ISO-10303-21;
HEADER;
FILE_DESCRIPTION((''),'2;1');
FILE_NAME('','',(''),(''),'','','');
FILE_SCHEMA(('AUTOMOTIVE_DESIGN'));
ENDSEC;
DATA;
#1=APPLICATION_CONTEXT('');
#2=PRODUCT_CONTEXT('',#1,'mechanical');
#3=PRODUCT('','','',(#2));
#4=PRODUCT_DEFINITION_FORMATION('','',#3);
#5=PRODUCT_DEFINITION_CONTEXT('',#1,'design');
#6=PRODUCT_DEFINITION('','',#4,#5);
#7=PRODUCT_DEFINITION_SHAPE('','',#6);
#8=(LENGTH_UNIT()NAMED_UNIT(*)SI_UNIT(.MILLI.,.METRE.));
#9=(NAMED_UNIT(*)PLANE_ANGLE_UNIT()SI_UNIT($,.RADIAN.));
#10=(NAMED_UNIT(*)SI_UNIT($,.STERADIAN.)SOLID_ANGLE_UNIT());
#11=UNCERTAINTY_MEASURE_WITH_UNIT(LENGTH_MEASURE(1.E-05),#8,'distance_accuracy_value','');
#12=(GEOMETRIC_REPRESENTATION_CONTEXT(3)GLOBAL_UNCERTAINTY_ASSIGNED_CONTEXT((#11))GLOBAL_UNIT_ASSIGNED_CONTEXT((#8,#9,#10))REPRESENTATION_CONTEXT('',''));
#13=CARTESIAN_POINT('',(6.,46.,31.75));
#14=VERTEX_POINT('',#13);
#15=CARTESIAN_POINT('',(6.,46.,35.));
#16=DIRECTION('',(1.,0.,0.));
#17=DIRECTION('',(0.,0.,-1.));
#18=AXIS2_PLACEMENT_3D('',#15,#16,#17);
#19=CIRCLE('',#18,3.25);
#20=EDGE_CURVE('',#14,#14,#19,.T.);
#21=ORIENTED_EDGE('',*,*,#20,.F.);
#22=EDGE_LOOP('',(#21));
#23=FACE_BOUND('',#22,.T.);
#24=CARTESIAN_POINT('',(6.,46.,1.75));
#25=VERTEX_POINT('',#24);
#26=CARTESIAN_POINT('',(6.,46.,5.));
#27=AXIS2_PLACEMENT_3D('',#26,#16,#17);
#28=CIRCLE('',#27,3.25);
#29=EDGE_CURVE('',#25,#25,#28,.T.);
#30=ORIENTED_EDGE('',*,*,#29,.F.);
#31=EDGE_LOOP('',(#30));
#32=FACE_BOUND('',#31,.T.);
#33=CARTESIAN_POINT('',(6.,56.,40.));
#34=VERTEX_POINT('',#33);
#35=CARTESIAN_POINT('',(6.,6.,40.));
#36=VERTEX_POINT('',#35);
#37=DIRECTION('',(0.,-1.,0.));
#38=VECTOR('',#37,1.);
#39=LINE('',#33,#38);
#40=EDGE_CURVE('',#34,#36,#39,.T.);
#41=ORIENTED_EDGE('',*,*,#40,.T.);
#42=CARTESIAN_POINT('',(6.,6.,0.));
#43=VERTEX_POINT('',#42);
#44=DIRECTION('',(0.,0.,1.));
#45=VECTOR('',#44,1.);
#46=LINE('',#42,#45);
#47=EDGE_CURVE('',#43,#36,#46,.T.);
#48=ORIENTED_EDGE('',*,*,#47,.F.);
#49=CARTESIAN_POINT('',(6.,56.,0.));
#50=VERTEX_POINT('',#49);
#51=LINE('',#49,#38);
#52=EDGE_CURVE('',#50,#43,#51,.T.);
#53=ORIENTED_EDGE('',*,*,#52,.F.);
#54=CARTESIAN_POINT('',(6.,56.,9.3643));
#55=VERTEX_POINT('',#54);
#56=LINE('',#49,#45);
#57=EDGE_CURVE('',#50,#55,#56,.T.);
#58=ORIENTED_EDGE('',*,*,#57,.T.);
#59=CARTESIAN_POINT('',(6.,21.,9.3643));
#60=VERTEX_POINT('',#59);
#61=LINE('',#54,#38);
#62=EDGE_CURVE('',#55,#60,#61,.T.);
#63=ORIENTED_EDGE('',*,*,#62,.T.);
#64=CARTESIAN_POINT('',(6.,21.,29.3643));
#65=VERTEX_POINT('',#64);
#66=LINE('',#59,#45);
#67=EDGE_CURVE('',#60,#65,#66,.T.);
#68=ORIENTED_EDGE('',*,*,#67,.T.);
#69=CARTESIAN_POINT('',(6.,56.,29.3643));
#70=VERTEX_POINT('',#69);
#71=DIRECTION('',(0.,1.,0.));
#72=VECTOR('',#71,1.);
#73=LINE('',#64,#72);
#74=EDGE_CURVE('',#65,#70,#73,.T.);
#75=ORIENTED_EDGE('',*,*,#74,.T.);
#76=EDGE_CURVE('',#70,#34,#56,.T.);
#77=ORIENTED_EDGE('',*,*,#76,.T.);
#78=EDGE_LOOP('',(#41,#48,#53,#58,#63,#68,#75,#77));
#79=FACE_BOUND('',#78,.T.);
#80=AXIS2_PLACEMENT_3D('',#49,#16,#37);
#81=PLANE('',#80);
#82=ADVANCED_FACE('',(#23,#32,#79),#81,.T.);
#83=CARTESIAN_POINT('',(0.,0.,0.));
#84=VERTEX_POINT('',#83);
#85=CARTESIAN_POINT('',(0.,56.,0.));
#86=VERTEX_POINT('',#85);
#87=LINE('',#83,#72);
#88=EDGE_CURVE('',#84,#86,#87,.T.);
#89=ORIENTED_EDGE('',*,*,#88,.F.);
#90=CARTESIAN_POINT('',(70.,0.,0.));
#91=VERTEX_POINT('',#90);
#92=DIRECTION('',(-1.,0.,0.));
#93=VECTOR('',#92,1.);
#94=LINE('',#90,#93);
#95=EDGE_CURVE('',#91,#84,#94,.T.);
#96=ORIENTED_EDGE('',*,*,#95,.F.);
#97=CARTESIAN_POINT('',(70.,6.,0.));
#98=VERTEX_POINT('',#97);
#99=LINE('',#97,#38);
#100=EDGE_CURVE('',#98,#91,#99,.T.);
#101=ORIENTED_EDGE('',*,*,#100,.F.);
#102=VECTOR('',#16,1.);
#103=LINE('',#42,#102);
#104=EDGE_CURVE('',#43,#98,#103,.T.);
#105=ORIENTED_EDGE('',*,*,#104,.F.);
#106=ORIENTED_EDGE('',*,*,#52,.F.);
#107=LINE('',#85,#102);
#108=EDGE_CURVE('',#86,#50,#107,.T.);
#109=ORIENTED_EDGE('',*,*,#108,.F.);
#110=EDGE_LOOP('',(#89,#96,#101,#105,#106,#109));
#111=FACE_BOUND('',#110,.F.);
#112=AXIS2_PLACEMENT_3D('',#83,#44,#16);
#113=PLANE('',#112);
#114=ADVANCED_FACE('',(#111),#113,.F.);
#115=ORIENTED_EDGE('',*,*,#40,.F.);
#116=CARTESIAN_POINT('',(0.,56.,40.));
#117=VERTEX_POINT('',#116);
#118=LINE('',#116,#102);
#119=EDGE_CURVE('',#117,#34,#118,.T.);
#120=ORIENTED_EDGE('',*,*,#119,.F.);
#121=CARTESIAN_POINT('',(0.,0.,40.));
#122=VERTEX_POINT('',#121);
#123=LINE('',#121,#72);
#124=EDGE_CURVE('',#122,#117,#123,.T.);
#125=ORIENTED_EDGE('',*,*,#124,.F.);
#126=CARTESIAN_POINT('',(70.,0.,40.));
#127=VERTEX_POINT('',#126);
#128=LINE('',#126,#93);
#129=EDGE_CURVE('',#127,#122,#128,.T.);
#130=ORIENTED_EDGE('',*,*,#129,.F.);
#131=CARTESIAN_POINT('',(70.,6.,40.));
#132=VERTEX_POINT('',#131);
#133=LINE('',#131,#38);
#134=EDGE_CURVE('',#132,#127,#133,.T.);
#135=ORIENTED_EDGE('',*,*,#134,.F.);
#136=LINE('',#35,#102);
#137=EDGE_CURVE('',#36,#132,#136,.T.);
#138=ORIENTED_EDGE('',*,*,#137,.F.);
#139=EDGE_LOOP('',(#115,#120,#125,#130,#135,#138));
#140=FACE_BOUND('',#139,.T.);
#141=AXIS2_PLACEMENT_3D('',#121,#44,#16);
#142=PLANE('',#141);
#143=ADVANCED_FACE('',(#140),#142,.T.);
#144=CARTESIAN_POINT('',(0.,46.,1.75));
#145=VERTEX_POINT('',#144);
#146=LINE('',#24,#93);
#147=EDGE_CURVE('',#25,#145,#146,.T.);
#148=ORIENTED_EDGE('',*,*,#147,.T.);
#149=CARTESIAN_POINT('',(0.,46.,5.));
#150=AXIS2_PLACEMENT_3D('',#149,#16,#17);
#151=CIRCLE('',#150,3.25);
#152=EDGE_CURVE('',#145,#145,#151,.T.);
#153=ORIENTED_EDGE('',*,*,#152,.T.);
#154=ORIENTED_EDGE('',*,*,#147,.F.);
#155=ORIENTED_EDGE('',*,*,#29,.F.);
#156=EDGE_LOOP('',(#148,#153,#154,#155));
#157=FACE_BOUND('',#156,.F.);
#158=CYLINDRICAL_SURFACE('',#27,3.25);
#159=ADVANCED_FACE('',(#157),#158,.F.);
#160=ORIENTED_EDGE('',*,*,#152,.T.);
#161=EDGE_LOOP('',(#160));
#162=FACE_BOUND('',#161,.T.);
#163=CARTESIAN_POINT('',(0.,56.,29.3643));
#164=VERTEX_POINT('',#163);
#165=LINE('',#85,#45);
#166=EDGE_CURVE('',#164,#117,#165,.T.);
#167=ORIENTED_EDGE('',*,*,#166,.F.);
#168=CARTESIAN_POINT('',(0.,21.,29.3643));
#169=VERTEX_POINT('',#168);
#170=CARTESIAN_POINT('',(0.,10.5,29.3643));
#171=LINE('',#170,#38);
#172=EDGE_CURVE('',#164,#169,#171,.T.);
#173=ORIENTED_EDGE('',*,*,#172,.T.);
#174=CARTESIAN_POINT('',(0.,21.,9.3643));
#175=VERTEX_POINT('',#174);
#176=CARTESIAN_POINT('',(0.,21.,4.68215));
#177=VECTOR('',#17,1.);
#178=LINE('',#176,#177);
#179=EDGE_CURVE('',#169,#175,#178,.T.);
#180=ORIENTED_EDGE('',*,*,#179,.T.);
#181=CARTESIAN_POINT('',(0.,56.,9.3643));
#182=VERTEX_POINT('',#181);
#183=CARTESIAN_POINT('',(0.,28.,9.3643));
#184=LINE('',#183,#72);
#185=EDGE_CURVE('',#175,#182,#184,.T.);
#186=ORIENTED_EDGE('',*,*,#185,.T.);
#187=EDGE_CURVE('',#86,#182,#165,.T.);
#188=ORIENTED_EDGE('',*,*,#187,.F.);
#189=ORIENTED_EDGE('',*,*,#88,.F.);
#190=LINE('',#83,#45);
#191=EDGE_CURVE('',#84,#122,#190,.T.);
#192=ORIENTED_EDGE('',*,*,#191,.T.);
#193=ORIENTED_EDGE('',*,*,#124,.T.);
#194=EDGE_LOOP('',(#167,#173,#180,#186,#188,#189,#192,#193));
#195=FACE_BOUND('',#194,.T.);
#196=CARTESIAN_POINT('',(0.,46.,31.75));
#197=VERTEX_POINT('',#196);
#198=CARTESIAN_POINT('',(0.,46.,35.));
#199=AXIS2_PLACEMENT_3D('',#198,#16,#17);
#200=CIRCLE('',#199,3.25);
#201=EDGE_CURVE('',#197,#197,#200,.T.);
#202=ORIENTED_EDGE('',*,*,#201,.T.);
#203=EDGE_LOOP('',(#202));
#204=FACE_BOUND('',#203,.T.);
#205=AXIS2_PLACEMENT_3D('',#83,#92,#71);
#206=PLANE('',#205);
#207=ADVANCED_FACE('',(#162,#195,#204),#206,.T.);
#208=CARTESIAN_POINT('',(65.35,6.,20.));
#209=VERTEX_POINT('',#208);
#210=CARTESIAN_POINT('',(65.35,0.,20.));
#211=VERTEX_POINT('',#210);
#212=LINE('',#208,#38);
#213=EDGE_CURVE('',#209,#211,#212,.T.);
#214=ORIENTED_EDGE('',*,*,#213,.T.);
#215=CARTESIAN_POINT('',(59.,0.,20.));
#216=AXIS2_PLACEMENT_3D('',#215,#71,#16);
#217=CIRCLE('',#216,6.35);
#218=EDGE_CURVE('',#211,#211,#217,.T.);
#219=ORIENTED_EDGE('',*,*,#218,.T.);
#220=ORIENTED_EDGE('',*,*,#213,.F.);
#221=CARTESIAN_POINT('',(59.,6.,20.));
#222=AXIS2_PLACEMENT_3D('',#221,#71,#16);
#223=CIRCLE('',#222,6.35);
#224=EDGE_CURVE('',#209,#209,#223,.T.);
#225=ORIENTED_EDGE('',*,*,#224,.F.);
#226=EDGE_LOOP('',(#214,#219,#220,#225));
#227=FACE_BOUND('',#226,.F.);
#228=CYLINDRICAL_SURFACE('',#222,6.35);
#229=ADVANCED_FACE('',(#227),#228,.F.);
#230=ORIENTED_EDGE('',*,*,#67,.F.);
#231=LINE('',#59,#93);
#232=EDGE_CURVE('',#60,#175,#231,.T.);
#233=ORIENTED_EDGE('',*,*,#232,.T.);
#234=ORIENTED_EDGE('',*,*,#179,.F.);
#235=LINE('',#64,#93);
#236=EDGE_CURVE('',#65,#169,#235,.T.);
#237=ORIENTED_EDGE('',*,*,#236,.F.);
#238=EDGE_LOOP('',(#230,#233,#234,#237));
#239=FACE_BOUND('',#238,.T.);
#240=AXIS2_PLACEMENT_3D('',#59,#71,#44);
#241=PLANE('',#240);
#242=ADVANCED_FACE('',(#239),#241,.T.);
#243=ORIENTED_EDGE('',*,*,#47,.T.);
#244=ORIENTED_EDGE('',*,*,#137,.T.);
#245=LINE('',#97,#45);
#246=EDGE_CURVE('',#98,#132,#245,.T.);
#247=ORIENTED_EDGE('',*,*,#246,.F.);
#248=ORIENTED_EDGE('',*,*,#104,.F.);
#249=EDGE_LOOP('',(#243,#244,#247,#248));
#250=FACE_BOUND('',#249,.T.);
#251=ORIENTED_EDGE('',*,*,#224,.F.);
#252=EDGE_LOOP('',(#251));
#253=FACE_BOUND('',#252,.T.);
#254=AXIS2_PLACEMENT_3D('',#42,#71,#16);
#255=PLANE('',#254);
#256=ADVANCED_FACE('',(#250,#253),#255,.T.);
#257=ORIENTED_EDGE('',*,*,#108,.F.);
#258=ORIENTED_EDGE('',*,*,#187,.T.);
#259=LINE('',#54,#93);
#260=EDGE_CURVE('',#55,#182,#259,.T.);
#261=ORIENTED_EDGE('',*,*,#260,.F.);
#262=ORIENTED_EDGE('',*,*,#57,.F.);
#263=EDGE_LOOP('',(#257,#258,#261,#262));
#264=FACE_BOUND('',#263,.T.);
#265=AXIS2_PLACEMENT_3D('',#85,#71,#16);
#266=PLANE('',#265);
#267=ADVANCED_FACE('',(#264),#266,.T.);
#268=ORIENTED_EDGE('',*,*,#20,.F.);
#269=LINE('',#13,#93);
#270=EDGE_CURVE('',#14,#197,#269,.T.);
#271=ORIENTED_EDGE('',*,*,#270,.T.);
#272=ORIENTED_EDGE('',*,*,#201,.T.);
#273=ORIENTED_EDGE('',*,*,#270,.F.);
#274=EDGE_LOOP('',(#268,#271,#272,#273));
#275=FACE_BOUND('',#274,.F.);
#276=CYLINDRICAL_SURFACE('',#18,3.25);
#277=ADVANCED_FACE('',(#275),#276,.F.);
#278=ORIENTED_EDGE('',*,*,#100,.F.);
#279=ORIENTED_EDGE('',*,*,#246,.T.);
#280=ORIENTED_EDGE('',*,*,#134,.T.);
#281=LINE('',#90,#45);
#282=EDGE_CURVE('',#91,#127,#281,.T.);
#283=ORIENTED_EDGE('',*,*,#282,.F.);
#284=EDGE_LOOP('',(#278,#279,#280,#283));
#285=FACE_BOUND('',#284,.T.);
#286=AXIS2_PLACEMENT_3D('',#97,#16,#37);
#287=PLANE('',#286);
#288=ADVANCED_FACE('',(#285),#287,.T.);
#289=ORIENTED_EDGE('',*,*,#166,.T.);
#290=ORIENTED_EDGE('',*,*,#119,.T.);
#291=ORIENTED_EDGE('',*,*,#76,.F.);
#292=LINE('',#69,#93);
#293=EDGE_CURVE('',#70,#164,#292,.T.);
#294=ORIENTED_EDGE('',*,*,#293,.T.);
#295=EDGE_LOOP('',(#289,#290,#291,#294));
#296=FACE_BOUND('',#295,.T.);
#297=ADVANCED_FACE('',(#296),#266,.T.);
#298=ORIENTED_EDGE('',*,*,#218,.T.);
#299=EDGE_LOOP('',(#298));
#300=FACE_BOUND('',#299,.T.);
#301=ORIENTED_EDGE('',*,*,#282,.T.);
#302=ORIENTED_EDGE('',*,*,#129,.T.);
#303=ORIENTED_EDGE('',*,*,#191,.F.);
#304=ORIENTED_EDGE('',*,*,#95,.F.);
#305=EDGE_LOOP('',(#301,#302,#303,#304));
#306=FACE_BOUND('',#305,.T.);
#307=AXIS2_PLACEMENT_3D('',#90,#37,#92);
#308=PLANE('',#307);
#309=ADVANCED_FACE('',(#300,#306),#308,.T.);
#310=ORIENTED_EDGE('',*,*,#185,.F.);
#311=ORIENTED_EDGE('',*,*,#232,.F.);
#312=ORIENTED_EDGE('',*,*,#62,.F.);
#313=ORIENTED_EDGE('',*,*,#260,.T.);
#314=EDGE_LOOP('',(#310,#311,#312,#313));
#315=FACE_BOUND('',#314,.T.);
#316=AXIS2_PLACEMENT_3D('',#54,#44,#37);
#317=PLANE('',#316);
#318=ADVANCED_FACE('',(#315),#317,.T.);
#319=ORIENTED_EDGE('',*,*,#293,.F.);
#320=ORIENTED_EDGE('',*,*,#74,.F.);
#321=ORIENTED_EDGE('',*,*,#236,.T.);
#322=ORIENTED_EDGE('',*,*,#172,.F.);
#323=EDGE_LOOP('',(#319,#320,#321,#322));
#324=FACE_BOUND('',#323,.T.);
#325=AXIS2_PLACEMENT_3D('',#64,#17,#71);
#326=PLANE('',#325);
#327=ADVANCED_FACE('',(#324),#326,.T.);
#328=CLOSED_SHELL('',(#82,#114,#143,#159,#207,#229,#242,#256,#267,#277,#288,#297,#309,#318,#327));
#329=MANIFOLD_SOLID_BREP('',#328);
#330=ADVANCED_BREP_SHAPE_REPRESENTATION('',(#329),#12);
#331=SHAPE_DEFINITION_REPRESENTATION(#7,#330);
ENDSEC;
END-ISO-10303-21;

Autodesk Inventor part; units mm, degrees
ref_plane "YZ Plane" through (0, 0, 0) normal (1, 0, 0) x (0, 1, 0)
ref_plane "XZ Plane" through (0, 0, 0) normal (0, 1, 0) x (-1, 0, 0)
ref_plane "XY Plane" through (0, 0, 0) normal (0, 0, 1) x (1, 0, 0)
sketch "Sketch1" plane through (0, 0, 0) normal (0, 0, 1) x (1, 0, 0)
  line L0 (0, 0) -> (0, 56)
  line L1 (0, 56) -> (6, 56)
  line L2 (6, 56) -> (6, 6)
  line L3 (6, 6) -> (70, 6)
  line L4 (70, 6) -> (70, 0)
  line L5 (70, 0) -> (0, 0)
  dimension "d0" = 56
  dimension "d1" = 6
  dimension "d2" = 50
  dimension "d3" = 64
  dimension "d4" = 6
extrude "Extrusion1" add sketch "Sketch1" along normal blind 40
sketch "Sketch2" plane through (6, 6, 0) normal (0, 1, 0) x (1, 0, 0)
  line L0 (0, 0) -> (0, -40) projected
  circle A0 centre (53, -20) radius 6.35
  line L1 (64, 0) -> (0, 0) projected
  line L2 (64, -40) -> (0, -40) projected
  point P0 (-6, 0)
  dimension "d8" = 12.7
  dimension "d25" = 53
extrude "Extrusion2" cut sketch "Sketch2" against normal blind 40
sketch "Sketch3" plane through (6, 6, 0) normal (1, 0, 0) x (0, 0, -1)
  line L0 (0, 50) -> (-40, 50) projected
  line L1 (-29.3643, 50) -> (-9.3643, 50)
  line L2 (-9.3643, 50) -> (-9.3643, 15)
  line L3 (-9.3643, 15) -> (-29.3643, 15)
  line L4 (-29.3643, 15) -> (-29.3643, 50)
  point P0 (0, -6)
  dimension "d13" = 20
  dimension "d14" = 35
extrude "Extrusion3" cut sketch "Sketch3" against normal blind 10
sketch "Sketch4" plane through (6, 6, 0) normal (1, 0, 0) x (0, 0, -1)
  circle A0 centre (-35, 40) radius 3.25
  line L0 (-40, 0) -> (-40, 50) projected
  line L1 (-29.3643, 50) -> (-40, 50) projected
  point P0 (0, -6)
  dimension "d17" = 6.5
  dimension "d18" = 5
  dimension "d19" = 10
extrude "Extrusion4" cut sketch "Sketch4" against normal blind 10
pattern_linear "Rectangular Pattern1" count 2 spacing 30 along (0, 0, -1) of "Extrusion4"
properties part number "motor_angle"
